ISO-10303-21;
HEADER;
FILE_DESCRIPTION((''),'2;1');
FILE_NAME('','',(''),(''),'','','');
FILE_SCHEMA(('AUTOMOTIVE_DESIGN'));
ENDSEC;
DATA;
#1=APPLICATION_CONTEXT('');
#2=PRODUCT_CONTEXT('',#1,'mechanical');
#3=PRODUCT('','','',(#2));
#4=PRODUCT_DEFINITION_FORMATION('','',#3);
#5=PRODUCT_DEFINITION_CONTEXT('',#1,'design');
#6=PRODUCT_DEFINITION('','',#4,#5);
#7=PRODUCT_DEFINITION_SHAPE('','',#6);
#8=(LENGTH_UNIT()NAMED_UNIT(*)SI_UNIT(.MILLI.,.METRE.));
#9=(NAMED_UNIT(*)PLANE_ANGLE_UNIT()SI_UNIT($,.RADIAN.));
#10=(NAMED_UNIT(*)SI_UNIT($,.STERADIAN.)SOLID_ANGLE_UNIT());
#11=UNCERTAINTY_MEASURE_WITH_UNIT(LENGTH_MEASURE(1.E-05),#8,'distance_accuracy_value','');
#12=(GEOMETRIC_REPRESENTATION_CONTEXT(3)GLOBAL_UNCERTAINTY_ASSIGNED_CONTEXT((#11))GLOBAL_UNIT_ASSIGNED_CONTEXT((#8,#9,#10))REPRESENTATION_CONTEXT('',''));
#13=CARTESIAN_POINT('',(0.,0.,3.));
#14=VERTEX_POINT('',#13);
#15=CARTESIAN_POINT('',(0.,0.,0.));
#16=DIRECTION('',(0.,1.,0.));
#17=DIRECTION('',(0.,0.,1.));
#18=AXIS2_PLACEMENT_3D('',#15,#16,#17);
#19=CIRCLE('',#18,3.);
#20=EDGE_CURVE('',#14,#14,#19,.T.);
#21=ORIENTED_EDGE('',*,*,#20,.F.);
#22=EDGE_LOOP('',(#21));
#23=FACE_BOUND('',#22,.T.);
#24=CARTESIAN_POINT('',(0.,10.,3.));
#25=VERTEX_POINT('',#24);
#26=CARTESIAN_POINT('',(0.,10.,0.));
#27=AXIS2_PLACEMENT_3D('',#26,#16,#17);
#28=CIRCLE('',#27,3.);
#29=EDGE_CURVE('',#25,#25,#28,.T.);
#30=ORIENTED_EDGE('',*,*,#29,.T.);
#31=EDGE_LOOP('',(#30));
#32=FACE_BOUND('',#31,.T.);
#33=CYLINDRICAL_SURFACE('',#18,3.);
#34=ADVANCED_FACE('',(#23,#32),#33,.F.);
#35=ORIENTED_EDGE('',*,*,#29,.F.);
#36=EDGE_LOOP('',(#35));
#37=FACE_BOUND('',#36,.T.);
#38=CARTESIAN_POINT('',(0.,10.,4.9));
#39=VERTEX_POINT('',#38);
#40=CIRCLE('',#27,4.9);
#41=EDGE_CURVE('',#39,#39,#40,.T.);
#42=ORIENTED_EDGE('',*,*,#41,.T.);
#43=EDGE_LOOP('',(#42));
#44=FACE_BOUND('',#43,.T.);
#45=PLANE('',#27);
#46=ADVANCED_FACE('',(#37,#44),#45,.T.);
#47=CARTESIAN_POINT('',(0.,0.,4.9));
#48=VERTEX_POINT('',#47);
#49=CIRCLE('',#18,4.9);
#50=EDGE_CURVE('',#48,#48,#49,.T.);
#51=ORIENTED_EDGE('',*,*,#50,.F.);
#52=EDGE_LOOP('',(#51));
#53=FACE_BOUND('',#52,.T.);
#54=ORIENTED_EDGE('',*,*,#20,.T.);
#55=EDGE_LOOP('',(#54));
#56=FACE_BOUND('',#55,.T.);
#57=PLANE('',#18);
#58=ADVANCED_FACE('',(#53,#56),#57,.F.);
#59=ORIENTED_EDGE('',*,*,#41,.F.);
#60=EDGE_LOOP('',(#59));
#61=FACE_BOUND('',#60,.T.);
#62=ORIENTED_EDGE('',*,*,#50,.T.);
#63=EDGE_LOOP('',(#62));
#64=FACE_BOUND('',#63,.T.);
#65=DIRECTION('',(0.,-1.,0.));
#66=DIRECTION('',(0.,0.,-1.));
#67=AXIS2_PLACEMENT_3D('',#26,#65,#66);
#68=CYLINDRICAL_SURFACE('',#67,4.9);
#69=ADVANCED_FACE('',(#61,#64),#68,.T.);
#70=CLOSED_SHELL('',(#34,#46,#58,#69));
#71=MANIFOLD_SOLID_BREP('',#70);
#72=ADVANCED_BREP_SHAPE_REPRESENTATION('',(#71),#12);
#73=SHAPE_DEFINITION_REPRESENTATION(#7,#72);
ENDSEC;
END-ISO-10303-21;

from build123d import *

# Parameters (mm, degrees)
SKETCH1_R           = 4.9
BOSS_EXTRUDE1_DEPTH = 10
SKETCH6_R           = 3
CUT_EXTRUDE3_DEPTH  = 11


with BuildPart() as part:
    # Sketch1 → Boss-Extrude1 (new body)
    with BuildSketch(Plane(origin=(0, 0, 0), x_dir=(1, 0, 0), z_dir=(0, 1, 0))):
        Circle(SKETCH1_R)
    extrude(amount=BOSS_EXTRUDE1_DEPTH)

    # Sketch6 → Cut-Extrude3 (cut, through all)
    with BuildSketch(Plane(origin=(0, 10, 0), x_dir=(1, 0, 0), z_dir=(0, 1, 0))):
        Circle(SKETCH6_R)
    extrude(amount=-CUT_EXTRUDE3_DEPTH, mode=Mode.SUBTRACT)


solid = part.part
